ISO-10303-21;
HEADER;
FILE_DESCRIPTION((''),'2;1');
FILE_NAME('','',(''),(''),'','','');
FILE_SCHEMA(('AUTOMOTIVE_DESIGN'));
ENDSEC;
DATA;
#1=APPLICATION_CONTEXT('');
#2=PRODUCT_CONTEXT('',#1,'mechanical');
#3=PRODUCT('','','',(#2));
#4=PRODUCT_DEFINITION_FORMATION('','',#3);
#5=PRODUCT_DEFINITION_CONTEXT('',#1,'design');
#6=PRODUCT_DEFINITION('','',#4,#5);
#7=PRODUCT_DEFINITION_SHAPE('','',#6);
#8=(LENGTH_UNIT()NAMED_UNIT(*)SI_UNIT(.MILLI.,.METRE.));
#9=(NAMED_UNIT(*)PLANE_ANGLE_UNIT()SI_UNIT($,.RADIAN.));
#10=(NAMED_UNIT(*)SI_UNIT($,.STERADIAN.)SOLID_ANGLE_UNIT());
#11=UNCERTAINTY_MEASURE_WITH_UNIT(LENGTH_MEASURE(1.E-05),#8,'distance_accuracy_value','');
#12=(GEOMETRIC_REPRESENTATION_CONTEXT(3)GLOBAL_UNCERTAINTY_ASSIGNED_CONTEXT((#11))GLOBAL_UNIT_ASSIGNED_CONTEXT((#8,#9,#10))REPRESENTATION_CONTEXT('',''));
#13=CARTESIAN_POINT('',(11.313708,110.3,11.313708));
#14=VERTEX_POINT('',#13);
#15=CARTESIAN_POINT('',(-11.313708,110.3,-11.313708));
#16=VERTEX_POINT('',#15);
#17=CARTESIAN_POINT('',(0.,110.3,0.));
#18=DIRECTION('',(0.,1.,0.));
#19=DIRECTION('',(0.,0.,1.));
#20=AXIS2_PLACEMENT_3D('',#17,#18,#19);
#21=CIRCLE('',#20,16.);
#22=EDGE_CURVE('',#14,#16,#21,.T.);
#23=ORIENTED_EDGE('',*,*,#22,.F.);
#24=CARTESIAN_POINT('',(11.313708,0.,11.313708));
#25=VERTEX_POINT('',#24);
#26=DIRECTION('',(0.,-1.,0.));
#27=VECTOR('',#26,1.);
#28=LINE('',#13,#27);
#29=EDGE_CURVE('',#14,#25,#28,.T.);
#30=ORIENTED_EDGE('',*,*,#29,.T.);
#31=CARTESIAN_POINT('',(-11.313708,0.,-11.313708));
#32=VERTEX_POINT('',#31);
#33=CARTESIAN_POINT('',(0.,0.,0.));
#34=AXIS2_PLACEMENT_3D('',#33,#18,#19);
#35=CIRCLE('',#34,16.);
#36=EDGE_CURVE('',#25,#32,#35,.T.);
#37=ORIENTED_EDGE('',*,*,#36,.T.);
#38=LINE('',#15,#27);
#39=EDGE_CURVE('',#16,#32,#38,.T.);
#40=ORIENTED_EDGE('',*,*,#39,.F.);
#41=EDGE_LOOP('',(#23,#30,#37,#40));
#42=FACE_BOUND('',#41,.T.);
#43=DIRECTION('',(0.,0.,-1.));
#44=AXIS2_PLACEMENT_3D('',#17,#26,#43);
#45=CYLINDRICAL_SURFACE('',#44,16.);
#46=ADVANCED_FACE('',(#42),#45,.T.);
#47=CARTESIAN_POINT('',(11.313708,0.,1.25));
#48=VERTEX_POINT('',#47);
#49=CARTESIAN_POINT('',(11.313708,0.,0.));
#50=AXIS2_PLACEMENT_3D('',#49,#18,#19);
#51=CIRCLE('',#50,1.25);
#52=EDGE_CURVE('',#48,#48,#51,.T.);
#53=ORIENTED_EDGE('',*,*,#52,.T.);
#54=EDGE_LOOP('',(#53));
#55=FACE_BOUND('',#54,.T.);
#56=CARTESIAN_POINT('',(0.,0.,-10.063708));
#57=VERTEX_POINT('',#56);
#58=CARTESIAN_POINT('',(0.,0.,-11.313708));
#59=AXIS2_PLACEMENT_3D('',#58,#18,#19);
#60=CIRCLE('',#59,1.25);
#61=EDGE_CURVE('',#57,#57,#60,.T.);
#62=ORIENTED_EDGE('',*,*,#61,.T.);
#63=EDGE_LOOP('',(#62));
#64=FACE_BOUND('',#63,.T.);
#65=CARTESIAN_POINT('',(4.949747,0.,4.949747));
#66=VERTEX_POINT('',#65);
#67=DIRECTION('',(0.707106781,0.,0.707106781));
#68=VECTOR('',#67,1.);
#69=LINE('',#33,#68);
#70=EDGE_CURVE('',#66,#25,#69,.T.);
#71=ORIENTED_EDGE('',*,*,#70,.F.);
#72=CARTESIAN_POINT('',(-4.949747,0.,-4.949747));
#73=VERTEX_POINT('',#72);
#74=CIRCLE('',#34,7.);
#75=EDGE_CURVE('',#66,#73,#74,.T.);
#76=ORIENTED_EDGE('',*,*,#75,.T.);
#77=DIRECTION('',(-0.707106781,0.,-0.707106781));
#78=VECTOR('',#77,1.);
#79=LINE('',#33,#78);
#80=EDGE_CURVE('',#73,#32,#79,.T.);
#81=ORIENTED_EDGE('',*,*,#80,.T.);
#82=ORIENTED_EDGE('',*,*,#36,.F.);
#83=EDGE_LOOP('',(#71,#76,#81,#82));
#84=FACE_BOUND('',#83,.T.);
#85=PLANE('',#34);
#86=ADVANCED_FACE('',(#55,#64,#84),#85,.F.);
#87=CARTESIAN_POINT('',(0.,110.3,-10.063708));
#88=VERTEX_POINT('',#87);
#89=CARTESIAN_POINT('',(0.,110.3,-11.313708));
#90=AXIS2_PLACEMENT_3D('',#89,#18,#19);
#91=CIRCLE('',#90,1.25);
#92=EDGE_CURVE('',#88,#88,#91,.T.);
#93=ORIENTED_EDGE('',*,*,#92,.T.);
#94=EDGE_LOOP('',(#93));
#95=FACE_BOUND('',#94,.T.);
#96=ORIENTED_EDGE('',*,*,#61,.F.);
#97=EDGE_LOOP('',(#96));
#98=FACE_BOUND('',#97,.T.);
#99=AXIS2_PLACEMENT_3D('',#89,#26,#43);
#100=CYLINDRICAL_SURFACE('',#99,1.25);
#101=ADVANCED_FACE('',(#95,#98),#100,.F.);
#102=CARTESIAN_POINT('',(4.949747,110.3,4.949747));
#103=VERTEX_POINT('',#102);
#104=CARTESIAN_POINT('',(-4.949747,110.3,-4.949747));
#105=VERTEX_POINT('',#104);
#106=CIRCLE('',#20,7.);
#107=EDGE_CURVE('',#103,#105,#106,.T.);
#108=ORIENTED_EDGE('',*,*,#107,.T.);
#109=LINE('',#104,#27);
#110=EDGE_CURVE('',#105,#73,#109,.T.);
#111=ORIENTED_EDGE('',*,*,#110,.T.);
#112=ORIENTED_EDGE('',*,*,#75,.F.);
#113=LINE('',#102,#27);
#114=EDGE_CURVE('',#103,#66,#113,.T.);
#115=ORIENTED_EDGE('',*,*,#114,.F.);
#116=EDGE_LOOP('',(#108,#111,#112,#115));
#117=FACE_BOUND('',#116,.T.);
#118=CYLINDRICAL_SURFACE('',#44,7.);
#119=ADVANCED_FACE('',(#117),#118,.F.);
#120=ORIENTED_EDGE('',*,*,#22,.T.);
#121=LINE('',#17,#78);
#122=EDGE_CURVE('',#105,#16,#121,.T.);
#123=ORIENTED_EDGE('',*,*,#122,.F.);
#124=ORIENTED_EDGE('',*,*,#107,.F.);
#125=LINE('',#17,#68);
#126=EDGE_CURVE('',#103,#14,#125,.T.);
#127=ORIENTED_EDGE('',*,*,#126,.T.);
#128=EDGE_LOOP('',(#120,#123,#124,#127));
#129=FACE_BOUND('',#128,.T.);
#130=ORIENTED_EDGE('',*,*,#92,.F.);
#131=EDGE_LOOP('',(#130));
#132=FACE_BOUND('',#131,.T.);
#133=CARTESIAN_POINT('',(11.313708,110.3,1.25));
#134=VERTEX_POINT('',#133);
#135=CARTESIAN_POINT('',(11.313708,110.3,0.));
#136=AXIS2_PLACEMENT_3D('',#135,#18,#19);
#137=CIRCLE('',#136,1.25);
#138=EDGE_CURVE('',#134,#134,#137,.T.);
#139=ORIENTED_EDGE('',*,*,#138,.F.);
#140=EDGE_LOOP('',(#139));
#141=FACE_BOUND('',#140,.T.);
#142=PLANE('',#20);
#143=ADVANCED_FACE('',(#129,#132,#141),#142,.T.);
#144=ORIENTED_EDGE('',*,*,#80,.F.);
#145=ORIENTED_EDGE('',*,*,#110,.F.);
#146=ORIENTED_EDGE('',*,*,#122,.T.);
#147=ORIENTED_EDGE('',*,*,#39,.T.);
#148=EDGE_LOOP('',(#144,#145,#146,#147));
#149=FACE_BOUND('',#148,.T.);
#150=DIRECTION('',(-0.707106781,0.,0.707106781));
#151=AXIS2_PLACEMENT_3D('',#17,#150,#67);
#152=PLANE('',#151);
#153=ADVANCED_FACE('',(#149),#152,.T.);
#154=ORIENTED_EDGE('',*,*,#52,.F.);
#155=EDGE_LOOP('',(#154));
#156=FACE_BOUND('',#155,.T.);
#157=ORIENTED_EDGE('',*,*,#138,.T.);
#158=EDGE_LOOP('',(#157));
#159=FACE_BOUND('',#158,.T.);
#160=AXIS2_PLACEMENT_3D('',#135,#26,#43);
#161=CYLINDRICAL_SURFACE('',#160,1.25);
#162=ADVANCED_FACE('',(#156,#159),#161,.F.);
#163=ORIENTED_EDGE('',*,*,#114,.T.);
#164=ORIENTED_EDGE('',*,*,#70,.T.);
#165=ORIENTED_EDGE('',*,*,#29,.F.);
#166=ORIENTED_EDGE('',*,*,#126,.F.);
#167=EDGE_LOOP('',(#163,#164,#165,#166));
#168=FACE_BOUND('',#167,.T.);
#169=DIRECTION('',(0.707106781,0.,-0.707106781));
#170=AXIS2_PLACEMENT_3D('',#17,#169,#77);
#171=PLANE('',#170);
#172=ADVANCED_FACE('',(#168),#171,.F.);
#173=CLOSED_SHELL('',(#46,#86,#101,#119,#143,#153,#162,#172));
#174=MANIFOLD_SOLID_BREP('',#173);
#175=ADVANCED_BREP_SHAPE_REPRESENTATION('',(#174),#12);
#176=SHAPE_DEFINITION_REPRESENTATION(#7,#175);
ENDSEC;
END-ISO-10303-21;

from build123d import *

# Parameters (mm, degrees)
BOSS_EXTRUDE1_DEPTH = 110.3


with BuildPart() as part:
    # Sketch1 → Boss-Extrude1 (new body)
    with BuildSketch(Plane(origin=(0, 0, 0), x_dir=(1, 0, 0), z_dir=(0, 1, 0))):
        with BuildLine():
            Line((-8, 8), (-4.949747468, 4.949747468))
            ThreePointArc((-4.949747468, 4.949747468), (2.678784027, 6.467156728), (7, 0))
            ThreePointArc((7, 0), (6.467156728, -2.678784027), (4.949747468, -4.949747468))
            Line((4.949747468, -4.949747468), (8, -8))
            ThreePointArc((8, -8), (10.197365132, -4.900382063), (11.244655102, -1.248091194))
            ThreePointArc((11.244655102, -1.248091194), (10.063708499, 0), (11.244655102, 1.248091194))
            ThreePointArc((11.244655102, 1.248091194), (8, 8), (1.248091194, 11.244655102))
            ThreePointArc((1.248091194, 11.244655102), (0, 10.063708499), (-1.248091194, 11.244655102))
            ThreePointArc((-1.248091194, 11.244655102), (-4.900382063, 10.197365132), (-8, 8))
        make_face()
        with BuildLine():
            Line((-11.313708499, 11.313708499), (-8, 8))
            ThreePointArc((-8, 8), (-4.900382063, 10.197365132), (-1.248091194, 11.244655102))
            ThreePointArc((-1.248091194, 11.244655102), (-0.034539887, 12.563231206), (1.25, 11.313708499))
            ThreePointArc((1.25, 11.313708499), (1.249522707, 11.279168612), (1.248091194, 11.244655102))
            ThreePointArc((1.248091194, 11.244655102), (8, 8), (11.244655102, 1.248091194))
            ThreePointArc((11.244655102, 1.248091194), (12.17283109, 0.907969368), (12.563708499, 0))
            ThreePointArc((12.563708499, 0), (12.17283109, -0.907969368), (11.244655102, -1.248091194))
            ThreePointArc((11.244655102, -1.248091194), (10.197365132, -4.900382063), (8, -8))
            Line((8, -8), (11.313708499, -11.313708499))
            ThreePointArc((11.313708499, -11.313708499), (14.78207252, -6.122934918), (16, 0))
            ThreePointArc((16, 0), (6.122934918, 14.78207252), (-11.313708499, 11.313708499))
        make_face()
    extrude(amount=BOSS_EXTRUDE1_DEPTH)


solid = part.part
